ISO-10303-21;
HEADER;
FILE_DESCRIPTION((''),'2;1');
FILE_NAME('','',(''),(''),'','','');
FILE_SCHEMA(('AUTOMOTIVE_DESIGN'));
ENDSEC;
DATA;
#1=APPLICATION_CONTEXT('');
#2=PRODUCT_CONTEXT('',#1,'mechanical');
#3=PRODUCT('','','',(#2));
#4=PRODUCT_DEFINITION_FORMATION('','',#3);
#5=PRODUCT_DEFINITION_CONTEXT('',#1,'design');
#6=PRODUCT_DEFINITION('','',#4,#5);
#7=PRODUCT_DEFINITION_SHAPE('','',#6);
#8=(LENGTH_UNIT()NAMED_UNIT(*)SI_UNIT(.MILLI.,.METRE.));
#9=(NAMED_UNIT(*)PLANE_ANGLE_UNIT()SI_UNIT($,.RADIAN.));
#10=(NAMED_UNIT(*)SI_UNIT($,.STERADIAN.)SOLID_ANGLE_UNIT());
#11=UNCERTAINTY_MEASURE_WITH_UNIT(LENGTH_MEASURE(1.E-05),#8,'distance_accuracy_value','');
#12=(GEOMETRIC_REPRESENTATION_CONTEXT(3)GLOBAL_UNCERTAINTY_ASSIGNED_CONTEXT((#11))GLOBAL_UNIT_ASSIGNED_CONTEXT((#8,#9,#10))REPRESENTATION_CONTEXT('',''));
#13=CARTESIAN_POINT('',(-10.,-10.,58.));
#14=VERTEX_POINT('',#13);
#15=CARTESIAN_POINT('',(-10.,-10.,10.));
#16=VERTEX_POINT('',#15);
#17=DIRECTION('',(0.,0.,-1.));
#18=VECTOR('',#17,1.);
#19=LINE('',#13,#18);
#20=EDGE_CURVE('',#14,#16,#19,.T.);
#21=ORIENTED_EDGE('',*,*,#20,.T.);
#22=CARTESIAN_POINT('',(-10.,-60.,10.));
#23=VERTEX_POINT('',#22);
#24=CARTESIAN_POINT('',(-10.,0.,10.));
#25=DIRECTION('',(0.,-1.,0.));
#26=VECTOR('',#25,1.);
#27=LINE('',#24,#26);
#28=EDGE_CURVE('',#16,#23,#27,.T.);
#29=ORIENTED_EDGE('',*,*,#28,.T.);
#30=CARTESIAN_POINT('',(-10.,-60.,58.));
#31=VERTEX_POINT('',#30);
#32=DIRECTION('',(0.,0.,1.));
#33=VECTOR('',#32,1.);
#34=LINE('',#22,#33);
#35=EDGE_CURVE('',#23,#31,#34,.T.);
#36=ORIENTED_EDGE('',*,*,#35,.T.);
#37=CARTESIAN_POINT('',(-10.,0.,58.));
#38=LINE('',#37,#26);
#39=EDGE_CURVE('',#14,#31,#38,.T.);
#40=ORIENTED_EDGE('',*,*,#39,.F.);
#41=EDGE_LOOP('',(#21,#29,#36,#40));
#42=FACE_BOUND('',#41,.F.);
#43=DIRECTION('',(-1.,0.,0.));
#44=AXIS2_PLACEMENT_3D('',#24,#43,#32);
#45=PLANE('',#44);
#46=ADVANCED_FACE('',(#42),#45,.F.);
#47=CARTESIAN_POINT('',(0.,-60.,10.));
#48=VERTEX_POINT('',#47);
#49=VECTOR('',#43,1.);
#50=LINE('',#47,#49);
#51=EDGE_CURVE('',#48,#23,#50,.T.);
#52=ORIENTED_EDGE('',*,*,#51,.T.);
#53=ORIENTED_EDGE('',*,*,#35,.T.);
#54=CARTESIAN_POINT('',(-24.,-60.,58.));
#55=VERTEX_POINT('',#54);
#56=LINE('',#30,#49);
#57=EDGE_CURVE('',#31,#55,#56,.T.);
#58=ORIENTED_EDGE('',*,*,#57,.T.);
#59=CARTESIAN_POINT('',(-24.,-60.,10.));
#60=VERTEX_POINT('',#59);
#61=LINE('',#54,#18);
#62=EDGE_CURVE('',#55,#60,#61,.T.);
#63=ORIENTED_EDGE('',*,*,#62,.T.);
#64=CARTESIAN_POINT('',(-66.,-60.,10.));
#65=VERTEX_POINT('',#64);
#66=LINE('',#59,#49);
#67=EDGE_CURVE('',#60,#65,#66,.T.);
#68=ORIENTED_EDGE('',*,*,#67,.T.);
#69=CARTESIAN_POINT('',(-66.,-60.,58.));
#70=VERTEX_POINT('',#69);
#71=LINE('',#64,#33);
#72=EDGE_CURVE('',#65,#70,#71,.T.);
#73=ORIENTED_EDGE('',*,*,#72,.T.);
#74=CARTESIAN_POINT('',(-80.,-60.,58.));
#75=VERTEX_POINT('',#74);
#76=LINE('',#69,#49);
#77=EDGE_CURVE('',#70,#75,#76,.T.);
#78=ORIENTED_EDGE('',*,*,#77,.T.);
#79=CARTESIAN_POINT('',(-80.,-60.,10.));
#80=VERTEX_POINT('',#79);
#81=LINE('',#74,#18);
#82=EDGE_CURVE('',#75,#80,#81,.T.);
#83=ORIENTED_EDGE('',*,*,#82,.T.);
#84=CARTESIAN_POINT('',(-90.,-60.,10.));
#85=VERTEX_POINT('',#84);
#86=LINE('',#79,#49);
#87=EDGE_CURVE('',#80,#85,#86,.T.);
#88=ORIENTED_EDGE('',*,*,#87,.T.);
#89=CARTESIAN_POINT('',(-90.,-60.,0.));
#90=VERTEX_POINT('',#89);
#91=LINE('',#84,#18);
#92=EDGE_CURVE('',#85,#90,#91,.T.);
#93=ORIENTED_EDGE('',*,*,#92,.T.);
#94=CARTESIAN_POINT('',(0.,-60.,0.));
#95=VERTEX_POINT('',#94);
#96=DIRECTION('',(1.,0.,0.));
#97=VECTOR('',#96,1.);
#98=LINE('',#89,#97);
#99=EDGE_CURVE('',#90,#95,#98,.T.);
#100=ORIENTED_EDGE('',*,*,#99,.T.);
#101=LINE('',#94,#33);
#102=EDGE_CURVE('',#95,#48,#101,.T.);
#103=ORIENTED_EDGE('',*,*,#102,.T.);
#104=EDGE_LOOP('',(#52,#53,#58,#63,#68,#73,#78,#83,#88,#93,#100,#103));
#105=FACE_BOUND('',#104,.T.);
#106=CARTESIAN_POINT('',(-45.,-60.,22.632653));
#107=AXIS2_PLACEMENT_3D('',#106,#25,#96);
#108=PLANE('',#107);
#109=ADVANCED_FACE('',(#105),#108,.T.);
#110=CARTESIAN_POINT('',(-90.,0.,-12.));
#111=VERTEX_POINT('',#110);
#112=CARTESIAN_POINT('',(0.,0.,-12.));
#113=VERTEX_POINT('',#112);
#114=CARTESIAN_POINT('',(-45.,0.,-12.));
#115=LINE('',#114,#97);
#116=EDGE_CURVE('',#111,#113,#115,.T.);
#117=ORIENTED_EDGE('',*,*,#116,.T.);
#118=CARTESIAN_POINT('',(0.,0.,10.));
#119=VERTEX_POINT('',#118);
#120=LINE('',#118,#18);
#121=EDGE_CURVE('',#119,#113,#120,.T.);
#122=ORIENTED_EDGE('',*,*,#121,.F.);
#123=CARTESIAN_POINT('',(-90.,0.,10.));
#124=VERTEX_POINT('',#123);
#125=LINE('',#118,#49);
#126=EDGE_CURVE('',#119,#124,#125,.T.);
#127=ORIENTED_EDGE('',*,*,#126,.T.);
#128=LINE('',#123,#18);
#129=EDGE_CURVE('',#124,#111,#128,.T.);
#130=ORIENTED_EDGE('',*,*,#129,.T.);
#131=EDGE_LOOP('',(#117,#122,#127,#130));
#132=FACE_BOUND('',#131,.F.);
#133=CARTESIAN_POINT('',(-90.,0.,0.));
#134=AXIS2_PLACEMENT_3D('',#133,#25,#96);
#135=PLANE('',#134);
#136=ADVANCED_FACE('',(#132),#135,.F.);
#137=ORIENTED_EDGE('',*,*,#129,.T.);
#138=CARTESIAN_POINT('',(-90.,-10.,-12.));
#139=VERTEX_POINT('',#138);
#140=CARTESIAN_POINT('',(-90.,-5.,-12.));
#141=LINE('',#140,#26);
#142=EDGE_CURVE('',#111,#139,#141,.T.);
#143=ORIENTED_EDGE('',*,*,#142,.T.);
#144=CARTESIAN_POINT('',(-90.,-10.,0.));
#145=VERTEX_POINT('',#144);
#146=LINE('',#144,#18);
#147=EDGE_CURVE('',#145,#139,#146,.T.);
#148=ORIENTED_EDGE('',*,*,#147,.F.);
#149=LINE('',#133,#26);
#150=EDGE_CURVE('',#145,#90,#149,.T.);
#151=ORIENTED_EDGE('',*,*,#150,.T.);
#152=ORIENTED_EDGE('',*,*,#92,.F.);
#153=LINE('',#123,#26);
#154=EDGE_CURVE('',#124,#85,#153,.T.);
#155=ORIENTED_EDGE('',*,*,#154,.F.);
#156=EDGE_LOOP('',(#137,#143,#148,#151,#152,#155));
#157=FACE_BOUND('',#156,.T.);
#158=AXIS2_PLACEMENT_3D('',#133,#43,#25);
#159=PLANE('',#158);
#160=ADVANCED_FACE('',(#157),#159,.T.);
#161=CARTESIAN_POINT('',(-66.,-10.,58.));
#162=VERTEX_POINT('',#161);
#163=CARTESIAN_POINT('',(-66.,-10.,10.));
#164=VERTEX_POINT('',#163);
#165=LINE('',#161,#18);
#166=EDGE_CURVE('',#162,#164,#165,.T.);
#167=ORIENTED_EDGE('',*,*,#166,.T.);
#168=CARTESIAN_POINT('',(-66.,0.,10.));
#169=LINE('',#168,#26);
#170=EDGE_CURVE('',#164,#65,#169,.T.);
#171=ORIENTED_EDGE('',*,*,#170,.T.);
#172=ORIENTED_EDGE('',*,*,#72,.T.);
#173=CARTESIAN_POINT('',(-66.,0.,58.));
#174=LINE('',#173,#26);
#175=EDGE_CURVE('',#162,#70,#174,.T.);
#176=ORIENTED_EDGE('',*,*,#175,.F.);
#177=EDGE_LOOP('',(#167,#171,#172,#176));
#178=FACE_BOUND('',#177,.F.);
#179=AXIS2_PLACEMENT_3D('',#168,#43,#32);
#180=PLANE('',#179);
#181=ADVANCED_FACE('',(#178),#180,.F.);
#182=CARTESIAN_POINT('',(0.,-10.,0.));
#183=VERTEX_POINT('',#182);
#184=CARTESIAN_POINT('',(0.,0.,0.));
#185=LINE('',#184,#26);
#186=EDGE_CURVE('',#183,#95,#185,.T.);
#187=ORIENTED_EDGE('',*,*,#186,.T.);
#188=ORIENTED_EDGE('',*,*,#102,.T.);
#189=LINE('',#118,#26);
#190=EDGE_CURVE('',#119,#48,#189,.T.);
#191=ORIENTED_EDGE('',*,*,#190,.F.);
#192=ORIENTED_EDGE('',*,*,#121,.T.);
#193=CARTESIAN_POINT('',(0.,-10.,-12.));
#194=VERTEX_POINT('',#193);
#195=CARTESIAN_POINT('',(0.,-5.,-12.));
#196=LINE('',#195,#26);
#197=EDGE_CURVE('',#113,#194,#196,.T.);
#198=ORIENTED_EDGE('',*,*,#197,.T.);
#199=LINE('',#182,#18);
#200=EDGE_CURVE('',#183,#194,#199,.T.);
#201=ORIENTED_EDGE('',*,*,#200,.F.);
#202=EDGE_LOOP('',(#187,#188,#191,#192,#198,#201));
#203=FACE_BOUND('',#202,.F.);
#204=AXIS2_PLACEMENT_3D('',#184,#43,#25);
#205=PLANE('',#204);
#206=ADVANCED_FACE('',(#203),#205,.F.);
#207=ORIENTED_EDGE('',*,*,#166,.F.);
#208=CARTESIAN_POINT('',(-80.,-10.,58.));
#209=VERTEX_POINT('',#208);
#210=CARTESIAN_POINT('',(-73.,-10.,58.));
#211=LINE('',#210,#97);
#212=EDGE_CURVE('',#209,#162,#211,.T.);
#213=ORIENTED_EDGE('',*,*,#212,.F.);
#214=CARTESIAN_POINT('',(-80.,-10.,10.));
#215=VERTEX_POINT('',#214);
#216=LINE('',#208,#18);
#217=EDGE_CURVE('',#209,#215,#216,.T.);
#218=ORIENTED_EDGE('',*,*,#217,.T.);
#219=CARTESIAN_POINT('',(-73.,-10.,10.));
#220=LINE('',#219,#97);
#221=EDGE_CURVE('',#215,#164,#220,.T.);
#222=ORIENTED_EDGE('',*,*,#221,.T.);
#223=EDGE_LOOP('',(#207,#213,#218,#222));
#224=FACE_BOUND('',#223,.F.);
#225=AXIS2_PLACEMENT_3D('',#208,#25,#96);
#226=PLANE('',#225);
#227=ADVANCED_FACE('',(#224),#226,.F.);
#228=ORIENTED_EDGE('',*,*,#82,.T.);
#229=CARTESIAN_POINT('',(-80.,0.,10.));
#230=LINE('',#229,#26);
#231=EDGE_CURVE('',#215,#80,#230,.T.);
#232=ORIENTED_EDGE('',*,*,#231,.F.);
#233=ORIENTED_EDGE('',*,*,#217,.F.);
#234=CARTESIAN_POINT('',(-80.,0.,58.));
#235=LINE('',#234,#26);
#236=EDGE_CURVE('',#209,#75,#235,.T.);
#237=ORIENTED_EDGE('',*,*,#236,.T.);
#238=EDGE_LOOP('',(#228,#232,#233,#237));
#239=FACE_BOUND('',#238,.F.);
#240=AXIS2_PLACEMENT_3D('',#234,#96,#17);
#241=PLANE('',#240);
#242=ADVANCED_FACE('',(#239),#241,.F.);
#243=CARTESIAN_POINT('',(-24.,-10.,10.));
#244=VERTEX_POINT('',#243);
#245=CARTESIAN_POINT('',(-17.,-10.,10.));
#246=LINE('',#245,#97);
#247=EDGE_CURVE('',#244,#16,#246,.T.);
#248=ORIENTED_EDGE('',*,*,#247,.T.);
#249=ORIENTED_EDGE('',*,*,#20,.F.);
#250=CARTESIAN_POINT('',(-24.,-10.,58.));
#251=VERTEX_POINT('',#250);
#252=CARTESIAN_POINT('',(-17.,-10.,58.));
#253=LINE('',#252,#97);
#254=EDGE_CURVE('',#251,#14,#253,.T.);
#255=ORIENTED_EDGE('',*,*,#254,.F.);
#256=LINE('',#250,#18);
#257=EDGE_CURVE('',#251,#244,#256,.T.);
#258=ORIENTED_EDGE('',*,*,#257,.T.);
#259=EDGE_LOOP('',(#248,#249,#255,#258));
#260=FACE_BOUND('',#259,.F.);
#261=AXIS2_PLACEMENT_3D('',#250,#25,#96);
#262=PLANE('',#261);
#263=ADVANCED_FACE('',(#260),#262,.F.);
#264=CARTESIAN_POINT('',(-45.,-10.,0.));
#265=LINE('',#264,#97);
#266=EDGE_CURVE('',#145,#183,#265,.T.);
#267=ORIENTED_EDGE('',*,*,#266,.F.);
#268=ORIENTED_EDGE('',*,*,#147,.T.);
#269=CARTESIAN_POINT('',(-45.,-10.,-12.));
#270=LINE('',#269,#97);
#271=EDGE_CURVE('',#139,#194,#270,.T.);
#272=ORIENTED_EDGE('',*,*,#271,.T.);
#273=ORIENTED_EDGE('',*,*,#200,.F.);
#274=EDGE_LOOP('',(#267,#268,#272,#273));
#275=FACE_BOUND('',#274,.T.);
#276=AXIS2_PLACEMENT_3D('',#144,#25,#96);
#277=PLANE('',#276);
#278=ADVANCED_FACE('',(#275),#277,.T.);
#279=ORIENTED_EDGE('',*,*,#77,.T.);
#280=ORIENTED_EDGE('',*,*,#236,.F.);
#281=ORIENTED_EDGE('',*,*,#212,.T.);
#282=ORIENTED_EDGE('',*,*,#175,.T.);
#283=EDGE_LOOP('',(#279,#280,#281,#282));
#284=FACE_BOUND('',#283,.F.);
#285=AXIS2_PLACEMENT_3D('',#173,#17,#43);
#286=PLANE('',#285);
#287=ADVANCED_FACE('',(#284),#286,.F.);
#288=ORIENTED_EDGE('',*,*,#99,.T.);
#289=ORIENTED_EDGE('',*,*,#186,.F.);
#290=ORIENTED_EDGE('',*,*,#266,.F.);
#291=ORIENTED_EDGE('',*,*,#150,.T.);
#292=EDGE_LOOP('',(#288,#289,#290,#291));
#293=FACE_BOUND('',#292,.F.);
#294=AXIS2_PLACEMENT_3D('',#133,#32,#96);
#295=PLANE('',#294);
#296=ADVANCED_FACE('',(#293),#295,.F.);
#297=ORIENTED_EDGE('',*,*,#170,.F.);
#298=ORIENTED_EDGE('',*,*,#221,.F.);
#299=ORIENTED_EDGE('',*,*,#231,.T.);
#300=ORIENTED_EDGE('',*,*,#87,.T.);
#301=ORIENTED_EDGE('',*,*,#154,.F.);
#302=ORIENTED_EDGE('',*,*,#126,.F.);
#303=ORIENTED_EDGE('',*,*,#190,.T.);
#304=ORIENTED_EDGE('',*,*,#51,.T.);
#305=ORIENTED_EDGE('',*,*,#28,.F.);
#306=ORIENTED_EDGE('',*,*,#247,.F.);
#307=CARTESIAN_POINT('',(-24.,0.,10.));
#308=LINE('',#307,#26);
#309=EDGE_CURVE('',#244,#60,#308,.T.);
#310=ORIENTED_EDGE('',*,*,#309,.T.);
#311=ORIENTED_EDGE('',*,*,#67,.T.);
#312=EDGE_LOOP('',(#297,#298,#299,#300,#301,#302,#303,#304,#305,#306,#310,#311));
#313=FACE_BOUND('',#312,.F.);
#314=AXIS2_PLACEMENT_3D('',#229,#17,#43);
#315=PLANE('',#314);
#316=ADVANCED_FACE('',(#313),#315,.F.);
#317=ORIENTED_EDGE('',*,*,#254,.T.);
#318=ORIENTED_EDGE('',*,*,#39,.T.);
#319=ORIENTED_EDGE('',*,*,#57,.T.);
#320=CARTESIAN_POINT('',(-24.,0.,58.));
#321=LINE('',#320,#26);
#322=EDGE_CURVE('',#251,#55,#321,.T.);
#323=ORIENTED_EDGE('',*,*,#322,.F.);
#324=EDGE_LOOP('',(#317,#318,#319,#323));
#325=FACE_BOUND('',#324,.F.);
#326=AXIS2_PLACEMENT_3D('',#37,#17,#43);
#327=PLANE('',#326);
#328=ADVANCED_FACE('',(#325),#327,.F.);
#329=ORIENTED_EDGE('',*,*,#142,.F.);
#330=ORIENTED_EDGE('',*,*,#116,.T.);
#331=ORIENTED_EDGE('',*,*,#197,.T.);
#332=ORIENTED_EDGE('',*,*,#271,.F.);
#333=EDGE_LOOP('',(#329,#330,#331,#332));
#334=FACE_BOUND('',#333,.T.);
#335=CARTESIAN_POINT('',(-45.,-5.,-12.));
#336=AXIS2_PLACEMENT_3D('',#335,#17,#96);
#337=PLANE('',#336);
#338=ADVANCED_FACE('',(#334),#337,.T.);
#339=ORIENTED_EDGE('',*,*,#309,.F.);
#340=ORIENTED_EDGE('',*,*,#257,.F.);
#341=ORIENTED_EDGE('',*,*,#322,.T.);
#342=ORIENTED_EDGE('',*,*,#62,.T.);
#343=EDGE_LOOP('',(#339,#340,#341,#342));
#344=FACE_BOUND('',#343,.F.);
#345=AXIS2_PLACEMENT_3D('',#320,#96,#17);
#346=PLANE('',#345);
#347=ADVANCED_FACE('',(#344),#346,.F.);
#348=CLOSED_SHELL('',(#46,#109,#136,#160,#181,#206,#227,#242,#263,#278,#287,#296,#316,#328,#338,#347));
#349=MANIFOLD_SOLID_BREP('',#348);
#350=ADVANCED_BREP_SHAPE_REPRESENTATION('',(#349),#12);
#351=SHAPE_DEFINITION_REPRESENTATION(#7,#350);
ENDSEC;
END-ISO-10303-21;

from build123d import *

# Parameters (mm, degrees)
F1_DEPTH = 60
F2_W     = 90
F2_H     = 10
F3_DEPTH = 12
F4_W     = 14
F4_H     = 10
F5_DEPTH = 48
F6_W     = 14
F6_H     = 10
F7_DEPTH = 48


with BuildPart() as f1:
    # F0 (on Front) → F1 (new body)
    with BuildSketch(Plane.XZ):
        Polygon((-90, 0), (0, 0), (0, 10), (-10, 10), (-10, 58), (-24, 58), (-24, 10), (-66, 10), (-66, 58), (-80, 58), (-80, 10), (-90, 10), align=None)
    extrude(amount=F1_DEPTH)

    # F2 (on face) → F3 (join)
    with BuildSketch(Plane(origin=(0, 0, 0), x_dir=(1, 0, 0), z_dir=(0, 0, -1))):
        with Locations((-45, 5)):
            Rectangle(F2_W, F2_H)
    extrude(amount=F3_DEPTH)

    # F4 (on face) → F5 (cut)
    with BuildSketch(Plane.XY.offset(58)):
        with Locations((-17, -5)):
            Rectangle(F4_W, F4_H)
    extrude(amount=-F5_DEPTH, mode=Mode.SUBTRACT)

    # F6 (on face) → F7 (cut)
    with BuildSketch(Plane.XY.offset(58)):
        with Locations((-73, -5)):
            Rectangle(F6_W, F6_H)
    extrude(amount=-F7_DEPTH, mode=Mode.SUBTRACT)


solid = f1.part
